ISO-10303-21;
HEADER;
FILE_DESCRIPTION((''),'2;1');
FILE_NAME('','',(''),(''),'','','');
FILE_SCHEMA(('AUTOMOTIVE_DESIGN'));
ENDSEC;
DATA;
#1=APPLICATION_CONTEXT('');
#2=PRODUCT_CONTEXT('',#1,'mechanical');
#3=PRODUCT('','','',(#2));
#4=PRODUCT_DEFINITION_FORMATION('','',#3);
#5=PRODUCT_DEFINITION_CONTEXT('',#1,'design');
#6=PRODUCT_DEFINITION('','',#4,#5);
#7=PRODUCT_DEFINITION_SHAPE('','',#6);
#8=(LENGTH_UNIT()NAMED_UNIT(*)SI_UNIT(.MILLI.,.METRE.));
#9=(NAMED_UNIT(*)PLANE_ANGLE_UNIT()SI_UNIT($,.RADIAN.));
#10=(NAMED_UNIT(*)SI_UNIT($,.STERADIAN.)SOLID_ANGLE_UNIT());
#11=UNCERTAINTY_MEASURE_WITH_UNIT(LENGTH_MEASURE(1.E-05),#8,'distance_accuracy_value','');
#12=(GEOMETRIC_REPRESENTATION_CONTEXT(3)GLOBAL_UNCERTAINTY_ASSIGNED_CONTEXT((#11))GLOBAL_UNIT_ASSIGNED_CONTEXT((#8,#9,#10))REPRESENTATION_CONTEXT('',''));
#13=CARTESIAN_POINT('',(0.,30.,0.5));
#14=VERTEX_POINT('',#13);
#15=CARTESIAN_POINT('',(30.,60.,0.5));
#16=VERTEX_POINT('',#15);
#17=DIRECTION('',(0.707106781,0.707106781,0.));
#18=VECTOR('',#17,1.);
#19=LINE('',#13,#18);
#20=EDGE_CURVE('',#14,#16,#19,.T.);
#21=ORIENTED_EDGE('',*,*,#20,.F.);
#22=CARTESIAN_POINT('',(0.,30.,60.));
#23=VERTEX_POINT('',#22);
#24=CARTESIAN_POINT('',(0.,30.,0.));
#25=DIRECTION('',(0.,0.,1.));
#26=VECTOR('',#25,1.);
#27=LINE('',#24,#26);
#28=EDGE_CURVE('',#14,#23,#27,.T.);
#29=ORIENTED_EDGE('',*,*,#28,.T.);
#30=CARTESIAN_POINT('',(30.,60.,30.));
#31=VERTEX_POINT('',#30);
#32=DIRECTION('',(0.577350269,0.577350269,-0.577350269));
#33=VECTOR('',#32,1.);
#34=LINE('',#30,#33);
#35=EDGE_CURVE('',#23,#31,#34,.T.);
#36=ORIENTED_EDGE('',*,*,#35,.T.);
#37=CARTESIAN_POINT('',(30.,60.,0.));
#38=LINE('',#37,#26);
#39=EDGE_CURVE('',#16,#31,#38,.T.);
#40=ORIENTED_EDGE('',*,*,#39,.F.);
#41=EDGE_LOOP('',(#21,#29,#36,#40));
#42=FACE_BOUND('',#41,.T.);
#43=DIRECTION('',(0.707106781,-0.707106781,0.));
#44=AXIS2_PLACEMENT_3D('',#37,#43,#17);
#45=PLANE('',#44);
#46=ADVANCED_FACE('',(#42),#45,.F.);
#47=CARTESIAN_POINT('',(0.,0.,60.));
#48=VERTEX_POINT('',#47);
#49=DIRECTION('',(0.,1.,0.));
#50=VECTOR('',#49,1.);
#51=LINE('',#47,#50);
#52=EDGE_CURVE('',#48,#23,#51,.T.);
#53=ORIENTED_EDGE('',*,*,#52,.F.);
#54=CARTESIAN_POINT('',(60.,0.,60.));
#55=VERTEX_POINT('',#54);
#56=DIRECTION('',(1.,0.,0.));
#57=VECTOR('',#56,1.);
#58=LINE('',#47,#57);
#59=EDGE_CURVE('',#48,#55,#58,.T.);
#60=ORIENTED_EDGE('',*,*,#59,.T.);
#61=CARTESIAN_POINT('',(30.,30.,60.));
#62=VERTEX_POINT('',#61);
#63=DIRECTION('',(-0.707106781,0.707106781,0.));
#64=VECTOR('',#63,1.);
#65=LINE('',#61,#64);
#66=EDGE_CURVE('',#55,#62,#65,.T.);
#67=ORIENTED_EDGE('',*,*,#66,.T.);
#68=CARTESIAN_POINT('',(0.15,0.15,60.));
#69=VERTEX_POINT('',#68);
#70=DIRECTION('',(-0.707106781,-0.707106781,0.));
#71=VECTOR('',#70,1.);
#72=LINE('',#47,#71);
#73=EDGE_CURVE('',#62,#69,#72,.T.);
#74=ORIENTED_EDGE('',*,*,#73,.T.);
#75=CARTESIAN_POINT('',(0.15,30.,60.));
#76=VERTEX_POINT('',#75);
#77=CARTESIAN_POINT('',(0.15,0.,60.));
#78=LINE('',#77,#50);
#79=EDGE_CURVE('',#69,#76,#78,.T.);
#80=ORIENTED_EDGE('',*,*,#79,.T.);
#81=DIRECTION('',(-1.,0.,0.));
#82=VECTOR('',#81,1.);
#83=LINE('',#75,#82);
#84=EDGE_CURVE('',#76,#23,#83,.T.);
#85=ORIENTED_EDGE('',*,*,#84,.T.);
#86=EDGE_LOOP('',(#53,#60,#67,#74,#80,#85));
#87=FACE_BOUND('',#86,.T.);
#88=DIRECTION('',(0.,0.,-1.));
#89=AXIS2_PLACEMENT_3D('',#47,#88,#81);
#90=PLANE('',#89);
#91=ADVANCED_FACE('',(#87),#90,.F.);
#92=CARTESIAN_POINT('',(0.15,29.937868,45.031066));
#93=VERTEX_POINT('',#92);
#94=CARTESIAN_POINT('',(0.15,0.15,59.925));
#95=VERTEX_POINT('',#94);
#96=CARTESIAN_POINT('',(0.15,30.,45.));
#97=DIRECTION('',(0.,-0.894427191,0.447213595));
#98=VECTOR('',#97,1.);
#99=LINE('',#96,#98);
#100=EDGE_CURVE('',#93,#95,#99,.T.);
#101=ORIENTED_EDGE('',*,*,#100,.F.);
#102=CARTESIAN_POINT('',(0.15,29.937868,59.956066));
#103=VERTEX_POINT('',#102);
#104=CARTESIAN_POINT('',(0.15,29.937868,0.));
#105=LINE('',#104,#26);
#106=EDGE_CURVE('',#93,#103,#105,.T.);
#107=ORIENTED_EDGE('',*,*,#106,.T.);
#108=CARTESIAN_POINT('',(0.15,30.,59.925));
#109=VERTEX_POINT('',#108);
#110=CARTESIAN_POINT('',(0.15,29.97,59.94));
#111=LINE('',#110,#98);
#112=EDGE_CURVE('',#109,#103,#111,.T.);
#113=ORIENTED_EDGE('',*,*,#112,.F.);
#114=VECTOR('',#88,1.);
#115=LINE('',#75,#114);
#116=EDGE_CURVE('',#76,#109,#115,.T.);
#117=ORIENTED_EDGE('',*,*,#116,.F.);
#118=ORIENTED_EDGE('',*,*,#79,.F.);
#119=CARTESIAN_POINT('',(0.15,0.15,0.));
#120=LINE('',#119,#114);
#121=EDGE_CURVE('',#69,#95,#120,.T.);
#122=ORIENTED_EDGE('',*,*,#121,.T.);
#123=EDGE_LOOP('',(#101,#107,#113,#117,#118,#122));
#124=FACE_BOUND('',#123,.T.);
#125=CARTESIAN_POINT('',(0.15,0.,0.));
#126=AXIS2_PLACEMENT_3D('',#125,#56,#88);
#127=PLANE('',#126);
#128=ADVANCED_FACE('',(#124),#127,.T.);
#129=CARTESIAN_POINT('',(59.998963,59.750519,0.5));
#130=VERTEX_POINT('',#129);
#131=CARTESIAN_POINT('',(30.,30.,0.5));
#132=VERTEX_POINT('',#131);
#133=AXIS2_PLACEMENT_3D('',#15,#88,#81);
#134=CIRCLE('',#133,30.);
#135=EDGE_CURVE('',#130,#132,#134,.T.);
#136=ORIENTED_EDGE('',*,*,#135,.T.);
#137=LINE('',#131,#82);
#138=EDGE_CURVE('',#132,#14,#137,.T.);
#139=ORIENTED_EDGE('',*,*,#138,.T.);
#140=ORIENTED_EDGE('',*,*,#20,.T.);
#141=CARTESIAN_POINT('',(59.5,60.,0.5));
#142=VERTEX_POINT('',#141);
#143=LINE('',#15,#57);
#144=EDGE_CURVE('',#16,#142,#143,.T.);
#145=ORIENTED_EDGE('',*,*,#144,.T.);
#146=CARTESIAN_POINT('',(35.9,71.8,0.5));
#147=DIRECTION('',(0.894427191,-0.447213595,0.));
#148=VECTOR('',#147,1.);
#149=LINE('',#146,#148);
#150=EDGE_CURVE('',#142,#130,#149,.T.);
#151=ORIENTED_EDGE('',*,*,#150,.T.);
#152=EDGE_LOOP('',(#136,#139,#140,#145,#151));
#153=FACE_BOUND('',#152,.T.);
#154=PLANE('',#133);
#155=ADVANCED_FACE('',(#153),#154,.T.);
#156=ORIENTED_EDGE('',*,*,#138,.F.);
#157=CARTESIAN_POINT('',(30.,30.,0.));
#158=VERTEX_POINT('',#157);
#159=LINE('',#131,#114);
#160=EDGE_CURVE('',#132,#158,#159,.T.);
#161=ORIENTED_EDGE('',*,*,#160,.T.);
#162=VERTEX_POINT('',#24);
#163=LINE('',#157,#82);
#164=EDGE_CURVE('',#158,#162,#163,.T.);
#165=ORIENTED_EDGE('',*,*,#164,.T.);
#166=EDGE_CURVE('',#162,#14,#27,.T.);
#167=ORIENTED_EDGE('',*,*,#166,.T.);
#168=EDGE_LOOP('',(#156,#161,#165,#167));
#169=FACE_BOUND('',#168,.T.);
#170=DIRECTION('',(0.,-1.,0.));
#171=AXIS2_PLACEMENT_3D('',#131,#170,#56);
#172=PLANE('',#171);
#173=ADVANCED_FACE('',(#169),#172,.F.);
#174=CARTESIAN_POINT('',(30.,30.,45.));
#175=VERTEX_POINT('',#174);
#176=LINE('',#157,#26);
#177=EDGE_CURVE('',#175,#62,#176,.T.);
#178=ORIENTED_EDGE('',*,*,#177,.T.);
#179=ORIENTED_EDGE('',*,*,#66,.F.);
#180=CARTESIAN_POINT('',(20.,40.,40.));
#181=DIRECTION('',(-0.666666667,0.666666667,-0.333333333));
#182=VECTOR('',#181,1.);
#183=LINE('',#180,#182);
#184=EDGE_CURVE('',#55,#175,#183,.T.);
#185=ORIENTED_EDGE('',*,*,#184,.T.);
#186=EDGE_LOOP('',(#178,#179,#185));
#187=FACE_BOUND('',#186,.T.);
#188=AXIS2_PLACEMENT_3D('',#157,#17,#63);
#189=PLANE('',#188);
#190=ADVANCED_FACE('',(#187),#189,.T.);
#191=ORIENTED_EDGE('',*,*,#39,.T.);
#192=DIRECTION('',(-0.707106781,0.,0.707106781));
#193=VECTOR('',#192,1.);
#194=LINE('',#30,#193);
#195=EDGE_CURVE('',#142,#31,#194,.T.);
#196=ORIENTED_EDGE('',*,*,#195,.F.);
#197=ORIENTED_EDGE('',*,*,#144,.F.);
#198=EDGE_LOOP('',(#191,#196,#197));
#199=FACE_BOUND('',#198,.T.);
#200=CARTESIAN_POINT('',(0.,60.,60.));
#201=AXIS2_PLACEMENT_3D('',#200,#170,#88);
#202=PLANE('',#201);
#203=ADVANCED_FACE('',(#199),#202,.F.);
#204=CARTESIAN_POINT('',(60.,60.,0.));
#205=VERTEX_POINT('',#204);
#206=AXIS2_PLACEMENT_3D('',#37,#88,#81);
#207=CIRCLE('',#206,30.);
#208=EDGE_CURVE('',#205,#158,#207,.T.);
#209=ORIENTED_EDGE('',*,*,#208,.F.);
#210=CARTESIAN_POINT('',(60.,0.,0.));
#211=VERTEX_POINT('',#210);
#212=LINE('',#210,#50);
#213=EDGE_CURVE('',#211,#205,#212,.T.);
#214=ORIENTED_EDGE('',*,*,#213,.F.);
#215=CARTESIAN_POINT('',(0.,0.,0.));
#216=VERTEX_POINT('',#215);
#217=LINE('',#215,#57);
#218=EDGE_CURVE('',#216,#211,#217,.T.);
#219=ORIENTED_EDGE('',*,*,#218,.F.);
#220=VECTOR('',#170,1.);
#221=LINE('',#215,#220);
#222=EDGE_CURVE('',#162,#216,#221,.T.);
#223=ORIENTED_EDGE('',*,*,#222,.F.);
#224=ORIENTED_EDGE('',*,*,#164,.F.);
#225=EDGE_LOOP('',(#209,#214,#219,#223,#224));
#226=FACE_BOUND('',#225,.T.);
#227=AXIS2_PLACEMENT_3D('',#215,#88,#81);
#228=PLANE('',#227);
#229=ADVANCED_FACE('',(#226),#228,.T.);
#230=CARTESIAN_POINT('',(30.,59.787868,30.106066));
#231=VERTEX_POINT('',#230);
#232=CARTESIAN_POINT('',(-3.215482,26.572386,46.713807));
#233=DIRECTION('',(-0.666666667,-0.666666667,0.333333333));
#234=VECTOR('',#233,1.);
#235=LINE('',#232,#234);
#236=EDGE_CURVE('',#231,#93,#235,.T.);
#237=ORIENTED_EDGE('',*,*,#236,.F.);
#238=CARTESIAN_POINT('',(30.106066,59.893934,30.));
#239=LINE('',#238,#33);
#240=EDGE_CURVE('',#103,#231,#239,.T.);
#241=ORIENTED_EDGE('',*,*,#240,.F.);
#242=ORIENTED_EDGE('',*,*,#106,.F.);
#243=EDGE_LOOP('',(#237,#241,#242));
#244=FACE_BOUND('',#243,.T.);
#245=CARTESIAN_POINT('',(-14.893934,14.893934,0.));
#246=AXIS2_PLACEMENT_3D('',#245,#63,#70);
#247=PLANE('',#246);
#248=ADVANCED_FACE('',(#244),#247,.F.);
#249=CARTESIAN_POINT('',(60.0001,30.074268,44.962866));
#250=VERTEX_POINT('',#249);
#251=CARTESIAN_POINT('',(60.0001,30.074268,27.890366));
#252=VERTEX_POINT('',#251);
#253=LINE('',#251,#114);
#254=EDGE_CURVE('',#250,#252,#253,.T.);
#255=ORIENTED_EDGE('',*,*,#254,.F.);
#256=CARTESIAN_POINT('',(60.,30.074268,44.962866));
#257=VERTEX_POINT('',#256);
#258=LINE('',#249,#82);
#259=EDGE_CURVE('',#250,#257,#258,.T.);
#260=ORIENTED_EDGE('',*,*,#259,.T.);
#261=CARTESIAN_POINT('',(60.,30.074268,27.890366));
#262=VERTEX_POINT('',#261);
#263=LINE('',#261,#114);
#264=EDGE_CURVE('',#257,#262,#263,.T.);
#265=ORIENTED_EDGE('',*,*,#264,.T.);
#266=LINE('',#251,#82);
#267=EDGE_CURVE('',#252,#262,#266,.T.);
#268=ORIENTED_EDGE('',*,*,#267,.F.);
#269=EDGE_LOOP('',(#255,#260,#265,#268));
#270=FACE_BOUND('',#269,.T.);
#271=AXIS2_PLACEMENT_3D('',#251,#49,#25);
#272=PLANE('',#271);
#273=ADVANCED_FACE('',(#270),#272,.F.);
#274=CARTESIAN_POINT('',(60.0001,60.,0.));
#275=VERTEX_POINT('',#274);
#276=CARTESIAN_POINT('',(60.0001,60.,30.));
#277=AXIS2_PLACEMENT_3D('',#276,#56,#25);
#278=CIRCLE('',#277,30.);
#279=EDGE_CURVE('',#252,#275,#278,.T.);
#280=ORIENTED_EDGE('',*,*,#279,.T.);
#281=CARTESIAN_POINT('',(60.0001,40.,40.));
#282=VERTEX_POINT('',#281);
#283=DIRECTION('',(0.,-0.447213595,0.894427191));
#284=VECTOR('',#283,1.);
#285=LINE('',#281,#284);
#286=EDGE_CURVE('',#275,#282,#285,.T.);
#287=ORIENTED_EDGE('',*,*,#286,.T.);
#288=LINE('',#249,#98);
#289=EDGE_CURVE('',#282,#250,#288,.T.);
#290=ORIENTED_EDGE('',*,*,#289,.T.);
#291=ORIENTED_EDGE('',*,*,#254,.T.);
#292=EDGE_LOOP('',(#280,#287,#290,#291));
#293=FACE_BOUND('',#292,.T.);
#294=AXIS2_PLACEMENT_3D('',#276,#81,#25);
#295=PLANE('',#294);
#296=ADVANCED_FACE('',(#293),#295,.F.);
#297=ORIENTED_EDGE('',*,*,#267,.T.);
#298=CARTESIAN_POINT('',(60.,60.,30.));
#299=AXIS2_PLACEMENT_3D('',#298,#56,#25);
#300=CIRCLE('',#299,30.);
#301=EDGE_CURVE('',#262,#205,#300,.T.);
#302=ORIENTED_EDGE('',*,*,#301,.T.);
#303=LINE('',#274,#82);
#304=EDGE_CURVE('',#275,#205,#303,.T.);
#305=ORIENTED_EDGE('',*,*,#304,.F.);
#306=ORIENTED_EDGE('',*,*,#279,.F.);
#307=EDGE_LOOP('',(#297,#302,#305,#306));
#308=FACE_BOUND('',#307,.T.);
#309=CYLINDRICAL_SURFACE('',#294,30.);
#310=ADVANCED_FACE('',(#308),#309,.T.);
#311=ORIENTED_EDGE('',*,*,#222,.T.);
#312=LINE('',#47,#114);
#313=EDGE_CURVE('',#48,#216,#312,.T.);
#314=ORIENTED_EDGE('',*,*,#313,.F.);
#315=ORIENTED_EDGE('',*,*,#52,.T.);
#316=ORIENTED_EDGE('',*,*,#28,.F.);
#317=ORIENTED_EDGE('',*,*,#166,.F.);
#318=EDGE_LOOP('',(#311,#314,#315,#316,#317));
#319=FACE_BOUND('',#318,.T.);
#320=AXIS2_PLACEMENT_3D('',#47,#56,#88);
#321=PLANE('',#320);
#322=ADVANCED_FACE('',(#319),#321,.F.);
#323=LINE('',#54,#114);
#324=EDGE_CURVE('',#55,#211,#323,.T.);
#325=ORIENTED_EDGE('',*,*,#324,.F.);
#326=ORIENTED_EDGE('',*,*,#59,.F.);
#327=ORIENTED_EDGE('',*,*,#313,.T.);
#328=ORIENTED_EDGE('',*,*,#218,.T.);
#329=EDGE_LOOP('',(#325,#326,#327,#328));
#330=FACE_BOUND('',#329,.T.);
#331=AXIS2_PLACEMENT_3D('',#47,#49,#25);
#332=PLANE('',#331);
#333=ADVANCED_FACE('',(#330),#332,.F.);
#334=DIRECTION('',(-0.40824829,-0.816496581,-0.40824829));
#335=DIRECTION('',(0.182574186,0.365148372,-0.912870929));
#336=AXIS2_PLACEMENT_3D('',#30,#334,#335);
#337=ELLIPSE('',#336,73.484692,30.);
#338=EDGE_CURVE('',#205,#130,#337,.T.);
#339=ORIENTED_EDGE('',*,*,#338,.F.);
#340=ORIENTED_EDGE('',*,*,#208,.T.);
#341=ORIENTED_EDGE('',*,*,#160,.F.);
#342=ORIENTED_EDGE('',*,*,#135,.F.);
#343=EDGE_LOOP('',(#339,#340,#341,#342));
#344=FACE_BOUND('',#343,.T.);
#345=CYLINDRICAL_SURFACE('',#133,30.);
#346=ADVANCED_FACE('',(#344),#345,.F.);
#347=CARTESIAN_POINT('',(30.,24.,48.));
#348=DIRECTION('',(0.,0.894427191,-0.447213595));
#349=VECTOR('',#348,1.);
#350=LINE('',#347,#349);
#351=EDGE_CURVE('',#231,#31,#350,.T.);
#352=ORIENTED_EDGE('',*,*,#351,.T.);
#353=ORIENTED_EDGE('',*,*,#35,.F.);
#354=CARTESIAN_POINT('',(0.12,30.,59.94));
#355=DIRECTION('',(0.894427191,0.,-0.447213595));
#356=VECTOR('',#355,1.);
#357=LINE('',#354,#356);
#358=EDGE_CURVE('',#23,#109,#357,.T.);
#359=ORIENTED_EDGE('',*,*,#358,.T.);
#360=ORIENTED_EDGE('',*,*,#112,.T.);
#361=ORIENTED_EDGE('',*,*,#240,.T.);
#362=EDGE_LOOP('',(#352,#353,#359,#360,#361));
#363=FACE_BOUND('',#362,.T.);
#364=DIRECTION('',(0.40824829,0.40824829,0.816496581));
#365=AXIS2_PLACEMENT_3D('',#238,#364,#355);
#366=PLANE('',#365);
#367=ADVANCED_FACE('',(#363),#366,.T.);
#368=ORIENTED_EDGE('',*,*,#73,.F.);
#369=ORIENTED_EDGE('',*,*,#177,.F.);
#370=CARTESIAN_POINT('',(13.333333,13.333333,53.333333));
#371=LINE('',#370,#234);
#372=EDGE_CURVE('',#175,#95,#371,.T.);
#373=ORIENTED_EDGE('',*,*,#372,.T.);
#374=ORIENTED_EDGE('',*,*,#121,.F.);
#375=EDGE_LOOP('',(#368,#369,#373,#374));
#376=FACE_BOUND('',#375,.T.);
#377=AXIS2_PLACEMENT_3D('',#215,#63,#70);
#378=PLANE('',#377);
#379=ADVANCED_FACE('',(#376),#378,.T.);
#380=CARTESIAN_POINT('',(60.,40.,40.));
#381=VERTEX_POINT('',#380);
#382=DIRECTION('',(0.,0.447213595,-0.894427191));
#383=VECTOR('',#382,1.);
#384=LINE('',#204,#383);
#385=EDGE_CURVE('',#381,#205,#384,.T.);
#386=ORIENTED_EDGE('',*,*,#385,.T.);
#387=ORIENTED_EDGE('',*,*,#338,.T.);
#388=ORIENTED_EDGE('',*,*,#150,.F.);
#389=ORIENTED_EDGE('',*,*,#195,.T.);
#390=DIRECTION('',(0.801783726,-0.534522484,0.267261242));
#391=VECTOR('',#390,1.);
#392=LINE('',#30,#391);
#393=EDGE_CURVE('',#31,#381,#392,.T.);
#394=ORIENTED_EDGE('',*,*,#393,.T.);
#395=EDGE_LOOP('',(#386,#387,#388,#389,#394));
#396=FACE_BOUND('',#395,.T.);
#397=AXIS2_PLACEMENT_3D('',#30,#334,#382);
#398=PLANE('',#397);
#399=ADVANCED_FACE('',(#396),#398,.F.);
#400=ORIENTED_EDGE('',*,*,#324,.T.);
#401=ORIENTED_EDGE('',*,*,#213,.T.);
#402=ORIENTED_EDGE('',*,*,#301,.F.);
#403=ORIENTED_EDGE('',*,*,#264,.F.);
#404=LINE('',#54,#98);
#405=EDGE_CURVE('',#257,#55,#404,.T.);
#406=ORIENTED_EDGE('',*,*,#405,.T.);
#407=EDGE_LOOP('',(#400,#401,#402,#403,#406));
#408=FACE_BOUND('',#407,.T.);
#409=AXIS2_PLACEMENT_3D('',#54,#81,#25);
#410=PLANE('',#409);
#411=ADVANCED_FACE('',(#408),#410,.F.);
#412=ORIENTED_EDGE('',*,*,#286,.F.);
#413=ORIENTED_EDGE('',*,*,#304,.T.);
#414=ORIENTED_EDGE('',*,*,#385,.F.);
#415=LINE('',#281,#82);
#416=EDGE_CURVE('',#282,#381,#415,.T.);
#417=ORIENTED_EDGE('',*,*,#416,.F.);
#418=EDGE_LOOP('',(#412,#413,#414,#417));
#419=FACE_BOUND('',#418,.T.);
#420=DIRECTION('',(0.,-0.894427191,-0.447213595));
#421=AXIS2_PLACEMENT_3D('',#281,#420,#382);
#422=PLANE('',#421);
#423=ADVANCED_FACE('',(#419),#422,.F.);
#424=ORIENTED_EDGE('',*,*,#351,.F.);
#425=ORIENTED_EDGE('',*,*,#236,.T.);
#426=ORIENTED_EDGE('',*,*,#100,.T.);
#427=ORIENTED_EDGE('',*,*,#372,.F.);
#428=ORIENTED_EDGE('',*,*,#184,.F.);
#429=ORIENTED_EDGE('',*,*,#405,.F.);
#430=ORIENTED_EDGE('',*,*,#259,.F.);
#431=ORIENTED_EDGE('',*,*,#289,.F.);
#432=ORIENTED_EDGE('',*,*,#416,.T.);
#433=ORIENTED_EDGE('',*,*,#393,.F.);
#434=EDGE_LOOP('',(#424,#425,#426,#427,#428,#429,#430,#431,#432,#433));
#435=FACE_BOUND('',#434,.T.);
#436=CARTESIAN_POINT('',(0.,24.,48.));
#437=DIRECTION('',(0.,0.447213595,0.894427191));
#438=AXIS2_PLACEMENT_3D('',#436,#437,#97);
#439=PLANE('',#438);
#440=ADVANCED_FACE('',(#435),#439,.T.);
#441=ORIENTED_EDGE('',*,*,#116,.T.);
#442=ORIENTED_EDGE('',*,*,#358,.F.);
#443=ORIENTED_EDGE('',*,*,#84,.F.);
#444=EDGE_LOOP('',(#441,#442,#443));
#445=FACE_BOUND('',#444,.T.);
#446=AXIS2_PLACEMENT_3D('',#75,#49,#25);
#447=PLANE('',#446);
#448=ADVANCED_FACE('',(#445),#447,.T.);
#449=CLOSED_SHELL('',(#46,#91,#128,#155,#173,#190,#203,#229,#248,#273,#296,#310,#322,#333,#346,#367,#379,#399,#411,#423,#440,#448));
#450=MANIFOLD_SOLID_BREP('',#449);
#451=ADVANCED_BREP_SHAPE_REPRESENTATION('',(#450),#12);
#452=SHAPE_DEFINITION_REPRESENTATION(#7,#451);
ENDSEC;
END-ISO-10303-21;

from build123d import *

# Parameters (mm, degrees)
SKETCH1_W            = 60
SKETCH1_H            = 60
BOSS_EXTRUDE1_DEPTH  = 60
CUT_EXTRUDE1_DEPTH   = 60
CUT_EXTRUDE2_DEPTH   = 60
CUT_EXTRUDE3_DEPTH   = 60
CUT_EXTRUDE4_DEPTH   = 60
CUT_EXTRUDE5_DEPTH   = 60
CUT_EXTRUDE6_DEPTH   = 60
CUT_EXTRUDE7_DEPTH   = 60
CUT_EXTRUDE8_DEPTH   = 60
BOSS_EXTRUDE3_DEPTH  = 60
BOSS_EXTRUDE7_DEPTH  = 0.15
BOSS_EXTRUDE8_DEPTH  = 0.15
CUT_EXTRUDE10_DEPTH  = 0.5
BOSS_EXTRUDE10_DEPTH = 0.0001


with BuildPart() as part:
    # Sketch1 → Boss-Extrude1 (new body)
    with BuildSketch(Plane.XY):
        with Locations((30, 30)):
            Rectangle(SKETCH1_W, SKETCH1_H)
    extrude(amount=BOSS_EXTRUDE1_DEPTH)

    # Sketch2 → Cut-Extrude1 (cut)
    with BuildSketch(Plane.XY.offset(60)):
        Polygon((30, 60), (0, 30), (0, 60), align=None)
    extrude(amount=-CUT_EXTRUDE1_DEPTH, mode=Mode.SUBTRACT)

    # Sketch3 → Cut-Extrude2 (cut)
    with BuildSketch(Plane(origin=(60, 0, 0), x_dir=(0, 0, -1), z_dir=(1, 0, 0))):
        Polygon((-60, 30), (-30, 60), (-60, 60), align=None)
    extrude(amount=-CUT_EXTRUDE2_DEPTH, mode=Mode.SUBTRACT)

    # Sketch4 → Cut-Extrude3 (cut)
    with BuildSketch(Plane(origin=(30, 60, 30), x_dir=(0.912870929, -0.365148372, -0.182574186), z_dir=(0.40824829, 0.816496581, 0.40824829))):
        Polygon((0, 0), (32.86335345, 26.83281573), (32.86335345, -40.249223595), align=None)
    extrude(amount=CUT_EXTRUDE3_DEPTH, mode=Mode.SUBTRACT)

    # Sketch5 → Cut-Extrude4 (cut)
    with BuildSketch(Plane(origin=(0, 24, 48), x_dir=(1, 0, 0), z_dir=(0, 0.447213595, 0.894427191))):
        Polygon((0, -26.83281573), (60, -26.83281573), (30, 40.249223595), align=None)
    extrude(amount=CUT_EXTRUDE4_DEPTH, mode=Mode.SUBTRACT)

    # Sketch6 → Cut-Extrude5 (cut)
    with BuildSketch(Plane(origin=(10, -4, 2), x_dir=(0.169515876, -0.06780635, -0.98319208), z_dir=(0.912870929, -0.365148372, 0.182574186))):
        Polygon((-58.991524815, 32.310988843), (-58.991524815, 0), (-28.478667152, 66.850321744), align=None)
    extrude(amount=-CUT_EXTRUDE5_DEPTH, mode=Mode.SUBTRACT)

    # Sketch7 → Cut-Extrude6 (cut)
    with BuildSketch(Plane(origin=(40, 16, -8), x_dir=(0.169515876, 0.06780635, 0.98319208), z_dir=(-0.912870929, -0.365148372, 0.182574186))):
        Polygon((38.649619706, 44.566881162), (69.162477369, -22.283440581), (69.162477369, 10.027548262), align=None)
    extrude(amount=-CUT_EXTRUDE6_DEPTH, mode=Mode.SUBTRACT)

    # Sketch8 → Cut-Extrude7 (cut)
    with BuildSketch(Plane(origin=(11.724137931, 4.689655172, 68), x_dir=(-0.985527457, 0.011663047, 0.169114179), z_dir=(-0.169515876, -0.06780635, -0.98319208))):
        Polygon((-36.808575777, 25.800784356), (-47.082262149, 27.800345143), (-48.984796662, 27.017107047), (-48.984796662, -4.128125497), align=None)
    extrude(amount=-CUT_EXTRUDE7_DEPTH, mode=Mode.SUBTRACT)

    # Sketch9 → Cut-Extrude8 (cut)
    with BuildSketch(Plane(origin=(-10, 4, 58), x_dir=(-0.985527457, -0.011663047, -0.169114179), z_dir=(0.169515876, -0.06780635, -0.98319208))):
        Polygon((-10.146850737, -4.128125497), (-10.146850737, 25.943133511), (-12.04938525, 27.800345143), (-22.323071622, 25.800784356), align=None)
    extrude(amount=-CUT_EXTRUDE8_DEPTH, mode=Mode.SUBTRACT)

    # Sketch11 → Boss-Extrude3 (add)
    with BuildSketch(Plane.XY.offset(60)):
        Polygon((0, 0), (30, 30), (60, 0), align=None)
    extrude(amount=-BOSS_EXTRUDE3_DEPTH)

    # Sketch12 → Boss-Extrude7 (add)
    with BuildSketch(Plane.ZY):
        Polygon((45, 30), (60, 0), (60, 30), align=None)
    extrude(amount=-BOSS_EXTRUDE7_DEPTH)

    # Sketch13 → Boss-Extrude8 (add)
    with BuildSketch(Plane(origin=(-15, 15, 0), x_dir=(0.707106781, 0.707106781, 0), z_dir=(-0.707106781, 0.707106781, 0))):
        Polygon((63.639610307, -30), (21.213203436, -60), (21.213203436, -45), align=None)
    extrude(amount=-BOSS_EXTRUDE8_DEPTH)

    # Sketch14 → Cut-Extrude10 (cut)
    with BuildSketch(Plane(origin=(0, 0, 0), x_dir=(-1, 0, 0), z_dir=(0, 0, -1))):
        with BuildLine():
            Line((-30, 30), (0, 30))
            Line((0, 30), (-30, 60))
            Line((-30, 60), (-60, 60))
            ThreePointArc((-60, 60), (-51.213203436, 38.786796564), (-30, 30))
        make_face()
    extrude(amount=-CUT_EXTRUDE10_DEPTH, mode=Mode.SUBTRACT)

    # Sketch15 → Boss-Extrude10 (add)
    with BuildSketch(Plane(origin=(60, 0, 0), x_dir=(0, 0, -1), z_dir=(1, 0, 0))):
        with BuildLine():
            Line((-27.89036592, 30.074267861), (-44.962866069, 30.074267861))
            Line((-44.962866069, 30.074267861), (-40, 40))
            Line((-40, 40), (0, 60))
            ThreePointArc((0, 60), (-8.053599129, 39.546259784), (-27.89036592, 30.074267861))
        make_face()
    extrude(amount=BOSS_EXTRUDE10_DEPTH)


solid = part.part
